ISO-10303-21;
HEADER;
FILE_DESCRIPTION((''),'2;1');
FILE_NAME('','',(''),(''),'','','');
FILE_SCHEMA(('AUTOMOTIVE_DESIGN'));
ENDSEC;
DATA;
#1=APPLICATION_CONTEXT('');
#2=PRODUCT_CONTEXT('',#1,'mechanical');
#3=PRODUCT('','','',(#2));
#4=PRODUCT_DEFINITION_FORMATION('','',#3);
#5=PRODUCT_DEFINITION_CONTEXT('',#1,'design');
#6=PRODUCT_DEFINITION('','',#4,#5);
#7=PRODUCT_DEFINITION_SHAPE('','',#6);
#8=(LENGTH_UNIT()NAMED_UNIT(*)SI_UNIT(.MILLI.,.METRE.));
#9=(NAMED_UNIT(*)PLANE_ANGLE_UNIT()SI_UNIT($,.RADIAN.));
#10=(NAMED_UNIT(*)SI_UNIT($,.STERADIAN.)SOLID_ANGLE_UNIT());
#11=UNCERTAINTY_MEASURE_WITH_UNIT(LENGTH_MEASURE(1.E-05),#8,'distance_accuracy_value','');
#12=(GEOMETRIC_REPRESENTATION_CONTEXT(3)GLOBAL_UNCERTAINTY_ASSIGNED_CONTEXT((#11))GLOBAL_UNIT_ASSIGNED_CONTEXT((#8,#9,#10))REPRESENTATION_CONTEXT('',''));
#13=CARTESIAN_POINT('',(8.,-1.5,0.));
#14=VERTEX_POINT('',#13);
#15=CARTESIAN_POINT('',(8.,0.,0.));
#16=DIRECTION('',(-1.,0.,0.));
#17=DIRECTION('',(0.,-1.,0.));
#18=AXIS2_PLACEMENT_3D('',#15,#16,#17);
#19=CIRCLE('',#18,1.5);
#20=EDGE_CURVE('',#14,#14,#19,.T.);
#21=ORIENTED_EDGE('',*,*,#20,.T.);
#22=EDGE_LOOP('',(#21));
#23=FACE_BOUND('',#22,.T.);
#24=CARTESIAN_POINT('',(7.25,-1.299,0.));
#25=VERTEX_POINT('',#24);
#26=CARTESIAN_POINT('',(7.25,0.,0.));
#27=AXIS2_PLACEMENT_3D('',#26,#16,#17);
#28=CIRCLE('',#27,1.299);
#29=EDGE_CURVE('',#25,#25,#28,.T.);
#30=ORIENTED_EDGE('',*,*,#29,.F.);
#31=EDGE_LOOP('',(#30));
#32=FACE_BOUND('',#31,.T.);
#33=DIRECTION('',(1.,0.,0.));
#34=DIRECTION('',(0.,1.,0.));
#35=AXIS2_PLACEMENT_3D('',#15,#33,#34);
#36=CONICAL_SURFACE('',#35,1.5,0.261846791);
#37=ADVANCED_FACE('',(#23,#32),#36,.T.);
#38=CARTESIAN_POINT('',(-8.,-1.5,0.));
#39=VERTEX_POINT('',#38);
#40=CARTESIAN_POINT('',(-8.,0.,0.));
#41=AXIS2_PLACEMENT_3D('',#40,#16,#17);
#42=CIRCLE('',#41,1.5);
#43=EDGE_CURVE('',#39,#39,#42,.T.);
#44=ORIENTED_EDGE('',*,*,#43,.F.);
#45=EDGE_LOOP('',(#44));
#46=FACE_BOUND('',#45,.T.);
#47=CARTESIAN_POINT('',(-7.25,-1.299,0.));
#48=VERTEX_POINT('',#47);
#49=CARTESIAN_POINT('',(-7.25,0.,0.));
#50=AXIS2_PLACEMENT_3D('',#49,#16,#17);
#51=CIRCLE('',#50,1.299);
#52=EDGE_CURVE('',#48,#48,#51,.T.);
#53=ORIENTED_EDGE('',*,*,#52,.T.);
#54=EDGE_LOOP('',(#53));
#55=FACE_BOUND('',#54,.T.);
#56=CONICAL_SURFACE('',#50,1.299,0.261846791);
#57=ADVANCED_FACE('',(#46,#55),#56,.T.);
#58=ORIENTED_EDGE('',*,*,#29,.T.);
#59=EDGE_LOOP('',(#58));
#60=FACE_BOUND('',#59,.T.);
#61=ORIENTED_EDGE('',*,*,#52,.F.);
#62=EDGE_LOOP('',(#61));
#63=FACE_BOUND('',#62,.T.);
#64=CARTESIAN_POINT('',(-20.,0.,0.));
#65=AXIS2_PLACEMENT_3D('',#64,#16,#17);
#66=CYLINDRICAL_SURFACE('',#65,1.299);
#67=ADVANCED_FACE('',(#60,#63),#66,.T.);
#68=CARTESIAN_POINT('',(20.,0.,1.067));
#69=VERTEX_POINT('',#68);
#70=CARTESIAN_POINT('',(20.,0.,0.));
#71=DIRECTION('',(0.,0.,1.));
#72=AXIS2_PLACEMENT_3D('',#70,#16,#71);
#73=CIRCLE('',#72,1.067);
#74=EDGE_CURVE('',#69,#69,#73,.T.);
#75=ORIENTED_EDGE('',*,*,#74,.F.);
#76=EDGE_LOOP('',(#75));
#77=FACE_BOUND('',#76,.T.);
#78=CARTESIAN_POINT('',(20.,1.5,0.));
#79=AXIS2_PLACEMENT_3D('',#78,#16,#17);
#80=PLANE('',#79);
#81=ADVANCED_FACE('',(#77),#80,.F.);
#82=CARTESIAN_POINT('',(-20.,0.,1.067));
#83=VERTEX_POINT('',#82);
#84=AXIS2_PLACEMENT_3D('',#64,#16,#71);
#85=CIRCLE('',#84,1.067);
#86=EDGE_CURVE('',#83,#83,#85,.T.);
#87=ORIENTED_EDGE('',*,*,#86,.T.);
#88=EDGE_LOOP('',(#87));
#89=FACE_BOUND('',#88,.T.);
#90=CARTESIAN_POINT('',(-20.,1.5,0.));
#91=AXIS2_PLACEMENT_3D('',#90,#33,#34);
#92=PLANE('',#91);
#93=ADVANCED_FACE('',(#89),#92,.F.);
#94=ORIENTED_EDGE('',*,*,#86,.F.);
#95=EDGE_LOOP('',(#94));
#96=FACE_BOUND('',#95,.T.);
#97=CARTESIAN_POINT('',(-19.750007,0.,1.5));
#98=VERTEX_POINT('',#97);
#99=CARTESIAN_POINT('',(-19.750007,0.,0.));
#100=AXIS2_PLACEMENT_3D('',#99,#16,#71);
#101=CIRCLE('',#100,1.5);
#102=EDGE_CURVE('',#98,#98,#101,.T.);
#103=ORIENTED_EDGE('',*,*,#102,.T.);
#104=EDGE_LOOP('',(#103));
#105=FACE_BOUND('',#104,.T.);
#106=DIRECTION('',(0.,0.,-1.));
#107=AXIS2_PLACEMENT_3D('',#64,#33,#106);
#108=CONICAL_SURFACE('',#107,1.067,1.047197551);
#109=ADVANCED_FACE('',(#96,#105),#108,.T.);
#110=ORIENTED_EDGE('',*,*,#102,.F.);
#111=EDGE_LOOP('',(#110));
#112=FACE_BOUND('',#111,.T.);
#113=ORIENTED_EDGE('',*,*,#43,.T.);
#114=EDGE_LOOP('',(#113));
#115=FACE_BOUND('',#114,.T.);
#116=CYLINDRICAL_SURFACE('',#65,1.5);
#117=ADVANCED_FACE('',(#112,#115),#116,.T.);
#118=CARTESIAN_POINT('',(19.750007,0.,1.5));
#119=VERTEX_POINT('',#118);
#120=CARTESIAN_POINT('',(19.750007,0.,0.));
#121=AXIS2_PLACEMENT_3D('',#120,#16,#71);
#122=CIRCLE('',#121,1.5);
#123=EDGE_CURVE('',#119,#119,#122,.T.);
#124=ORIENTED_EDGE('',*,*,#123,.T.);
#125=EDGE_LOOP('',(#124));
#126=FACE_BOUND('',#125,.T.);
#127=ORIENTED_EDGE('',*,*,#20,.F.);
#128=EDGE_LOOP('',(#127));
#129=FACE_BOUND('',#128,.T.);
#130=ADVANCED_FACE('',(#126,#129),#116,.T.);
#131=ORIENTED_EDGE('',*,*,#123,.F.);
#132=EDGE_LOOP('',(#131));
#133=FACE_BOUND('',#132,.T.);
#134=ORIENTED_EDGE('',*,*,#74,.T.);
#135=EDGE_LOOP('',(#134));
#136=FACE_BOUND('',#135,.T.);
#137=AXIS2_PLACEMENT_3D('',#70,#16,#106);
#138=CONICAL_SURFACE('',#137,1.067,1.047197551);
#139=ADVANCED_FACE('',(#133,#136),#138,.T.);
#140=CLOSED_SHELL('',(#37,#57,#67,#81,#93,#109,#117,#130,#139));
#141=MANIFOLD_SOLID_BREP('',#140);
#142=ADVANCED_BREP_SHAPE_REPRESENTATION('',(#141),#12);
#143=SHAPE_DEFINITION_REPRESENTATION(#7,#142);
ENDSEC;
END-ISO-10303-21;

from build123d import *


with BuildPart() as part:
    # 草图1 → Revolve 558 (revolve)
    with BuildSketch(Plane.XY, mode=Mode.PRIVATE) as revolve_558_sk:
        Polygon((-20, 1.5), (-8, 1.5), (-7.25, 1.299), (7.25, 1.299), (8, 1.5), (20, 1.5), (20, 0), (-20, 0), align=None)
    revolve(revolve_558_sk.sketch.rotate(Axis((-20, 0, 0), (1, 0, 0)), 180), axis=Axis((-20, 0, 0), (1, 0, 0)))

    # 草图2 → Cut-Revolve 802 (revolve, cut)
    with BuildSketch(Plane.XY, mode=Mode.PRIVATE) as cut_revolve_802_sk:
        Polygon((-20.249992667, 1.5), (-19.750007333, 1.5), (-20, 1.067), align=None)
    cut_revolve_802 = revolve(cut_revolve_802_sk.sketch.rotate(Axis((-26.952426469, 0, 0), (1, 0, 0)), 180), axis=Axis((-26.952426469, 0, 0), (1, 0, 0)), mode=Mode.SUBTRACT)

    # 镜向1: Cut-Revolve 802 across plane
    add(cut_revolve_802.mirror(Plane(origin=(0, 0, 0), x_dir=(0, 0, 1), z_dir=(1, 0, 0))), mode=Mode.SUBTRACT)


solid = part.part
